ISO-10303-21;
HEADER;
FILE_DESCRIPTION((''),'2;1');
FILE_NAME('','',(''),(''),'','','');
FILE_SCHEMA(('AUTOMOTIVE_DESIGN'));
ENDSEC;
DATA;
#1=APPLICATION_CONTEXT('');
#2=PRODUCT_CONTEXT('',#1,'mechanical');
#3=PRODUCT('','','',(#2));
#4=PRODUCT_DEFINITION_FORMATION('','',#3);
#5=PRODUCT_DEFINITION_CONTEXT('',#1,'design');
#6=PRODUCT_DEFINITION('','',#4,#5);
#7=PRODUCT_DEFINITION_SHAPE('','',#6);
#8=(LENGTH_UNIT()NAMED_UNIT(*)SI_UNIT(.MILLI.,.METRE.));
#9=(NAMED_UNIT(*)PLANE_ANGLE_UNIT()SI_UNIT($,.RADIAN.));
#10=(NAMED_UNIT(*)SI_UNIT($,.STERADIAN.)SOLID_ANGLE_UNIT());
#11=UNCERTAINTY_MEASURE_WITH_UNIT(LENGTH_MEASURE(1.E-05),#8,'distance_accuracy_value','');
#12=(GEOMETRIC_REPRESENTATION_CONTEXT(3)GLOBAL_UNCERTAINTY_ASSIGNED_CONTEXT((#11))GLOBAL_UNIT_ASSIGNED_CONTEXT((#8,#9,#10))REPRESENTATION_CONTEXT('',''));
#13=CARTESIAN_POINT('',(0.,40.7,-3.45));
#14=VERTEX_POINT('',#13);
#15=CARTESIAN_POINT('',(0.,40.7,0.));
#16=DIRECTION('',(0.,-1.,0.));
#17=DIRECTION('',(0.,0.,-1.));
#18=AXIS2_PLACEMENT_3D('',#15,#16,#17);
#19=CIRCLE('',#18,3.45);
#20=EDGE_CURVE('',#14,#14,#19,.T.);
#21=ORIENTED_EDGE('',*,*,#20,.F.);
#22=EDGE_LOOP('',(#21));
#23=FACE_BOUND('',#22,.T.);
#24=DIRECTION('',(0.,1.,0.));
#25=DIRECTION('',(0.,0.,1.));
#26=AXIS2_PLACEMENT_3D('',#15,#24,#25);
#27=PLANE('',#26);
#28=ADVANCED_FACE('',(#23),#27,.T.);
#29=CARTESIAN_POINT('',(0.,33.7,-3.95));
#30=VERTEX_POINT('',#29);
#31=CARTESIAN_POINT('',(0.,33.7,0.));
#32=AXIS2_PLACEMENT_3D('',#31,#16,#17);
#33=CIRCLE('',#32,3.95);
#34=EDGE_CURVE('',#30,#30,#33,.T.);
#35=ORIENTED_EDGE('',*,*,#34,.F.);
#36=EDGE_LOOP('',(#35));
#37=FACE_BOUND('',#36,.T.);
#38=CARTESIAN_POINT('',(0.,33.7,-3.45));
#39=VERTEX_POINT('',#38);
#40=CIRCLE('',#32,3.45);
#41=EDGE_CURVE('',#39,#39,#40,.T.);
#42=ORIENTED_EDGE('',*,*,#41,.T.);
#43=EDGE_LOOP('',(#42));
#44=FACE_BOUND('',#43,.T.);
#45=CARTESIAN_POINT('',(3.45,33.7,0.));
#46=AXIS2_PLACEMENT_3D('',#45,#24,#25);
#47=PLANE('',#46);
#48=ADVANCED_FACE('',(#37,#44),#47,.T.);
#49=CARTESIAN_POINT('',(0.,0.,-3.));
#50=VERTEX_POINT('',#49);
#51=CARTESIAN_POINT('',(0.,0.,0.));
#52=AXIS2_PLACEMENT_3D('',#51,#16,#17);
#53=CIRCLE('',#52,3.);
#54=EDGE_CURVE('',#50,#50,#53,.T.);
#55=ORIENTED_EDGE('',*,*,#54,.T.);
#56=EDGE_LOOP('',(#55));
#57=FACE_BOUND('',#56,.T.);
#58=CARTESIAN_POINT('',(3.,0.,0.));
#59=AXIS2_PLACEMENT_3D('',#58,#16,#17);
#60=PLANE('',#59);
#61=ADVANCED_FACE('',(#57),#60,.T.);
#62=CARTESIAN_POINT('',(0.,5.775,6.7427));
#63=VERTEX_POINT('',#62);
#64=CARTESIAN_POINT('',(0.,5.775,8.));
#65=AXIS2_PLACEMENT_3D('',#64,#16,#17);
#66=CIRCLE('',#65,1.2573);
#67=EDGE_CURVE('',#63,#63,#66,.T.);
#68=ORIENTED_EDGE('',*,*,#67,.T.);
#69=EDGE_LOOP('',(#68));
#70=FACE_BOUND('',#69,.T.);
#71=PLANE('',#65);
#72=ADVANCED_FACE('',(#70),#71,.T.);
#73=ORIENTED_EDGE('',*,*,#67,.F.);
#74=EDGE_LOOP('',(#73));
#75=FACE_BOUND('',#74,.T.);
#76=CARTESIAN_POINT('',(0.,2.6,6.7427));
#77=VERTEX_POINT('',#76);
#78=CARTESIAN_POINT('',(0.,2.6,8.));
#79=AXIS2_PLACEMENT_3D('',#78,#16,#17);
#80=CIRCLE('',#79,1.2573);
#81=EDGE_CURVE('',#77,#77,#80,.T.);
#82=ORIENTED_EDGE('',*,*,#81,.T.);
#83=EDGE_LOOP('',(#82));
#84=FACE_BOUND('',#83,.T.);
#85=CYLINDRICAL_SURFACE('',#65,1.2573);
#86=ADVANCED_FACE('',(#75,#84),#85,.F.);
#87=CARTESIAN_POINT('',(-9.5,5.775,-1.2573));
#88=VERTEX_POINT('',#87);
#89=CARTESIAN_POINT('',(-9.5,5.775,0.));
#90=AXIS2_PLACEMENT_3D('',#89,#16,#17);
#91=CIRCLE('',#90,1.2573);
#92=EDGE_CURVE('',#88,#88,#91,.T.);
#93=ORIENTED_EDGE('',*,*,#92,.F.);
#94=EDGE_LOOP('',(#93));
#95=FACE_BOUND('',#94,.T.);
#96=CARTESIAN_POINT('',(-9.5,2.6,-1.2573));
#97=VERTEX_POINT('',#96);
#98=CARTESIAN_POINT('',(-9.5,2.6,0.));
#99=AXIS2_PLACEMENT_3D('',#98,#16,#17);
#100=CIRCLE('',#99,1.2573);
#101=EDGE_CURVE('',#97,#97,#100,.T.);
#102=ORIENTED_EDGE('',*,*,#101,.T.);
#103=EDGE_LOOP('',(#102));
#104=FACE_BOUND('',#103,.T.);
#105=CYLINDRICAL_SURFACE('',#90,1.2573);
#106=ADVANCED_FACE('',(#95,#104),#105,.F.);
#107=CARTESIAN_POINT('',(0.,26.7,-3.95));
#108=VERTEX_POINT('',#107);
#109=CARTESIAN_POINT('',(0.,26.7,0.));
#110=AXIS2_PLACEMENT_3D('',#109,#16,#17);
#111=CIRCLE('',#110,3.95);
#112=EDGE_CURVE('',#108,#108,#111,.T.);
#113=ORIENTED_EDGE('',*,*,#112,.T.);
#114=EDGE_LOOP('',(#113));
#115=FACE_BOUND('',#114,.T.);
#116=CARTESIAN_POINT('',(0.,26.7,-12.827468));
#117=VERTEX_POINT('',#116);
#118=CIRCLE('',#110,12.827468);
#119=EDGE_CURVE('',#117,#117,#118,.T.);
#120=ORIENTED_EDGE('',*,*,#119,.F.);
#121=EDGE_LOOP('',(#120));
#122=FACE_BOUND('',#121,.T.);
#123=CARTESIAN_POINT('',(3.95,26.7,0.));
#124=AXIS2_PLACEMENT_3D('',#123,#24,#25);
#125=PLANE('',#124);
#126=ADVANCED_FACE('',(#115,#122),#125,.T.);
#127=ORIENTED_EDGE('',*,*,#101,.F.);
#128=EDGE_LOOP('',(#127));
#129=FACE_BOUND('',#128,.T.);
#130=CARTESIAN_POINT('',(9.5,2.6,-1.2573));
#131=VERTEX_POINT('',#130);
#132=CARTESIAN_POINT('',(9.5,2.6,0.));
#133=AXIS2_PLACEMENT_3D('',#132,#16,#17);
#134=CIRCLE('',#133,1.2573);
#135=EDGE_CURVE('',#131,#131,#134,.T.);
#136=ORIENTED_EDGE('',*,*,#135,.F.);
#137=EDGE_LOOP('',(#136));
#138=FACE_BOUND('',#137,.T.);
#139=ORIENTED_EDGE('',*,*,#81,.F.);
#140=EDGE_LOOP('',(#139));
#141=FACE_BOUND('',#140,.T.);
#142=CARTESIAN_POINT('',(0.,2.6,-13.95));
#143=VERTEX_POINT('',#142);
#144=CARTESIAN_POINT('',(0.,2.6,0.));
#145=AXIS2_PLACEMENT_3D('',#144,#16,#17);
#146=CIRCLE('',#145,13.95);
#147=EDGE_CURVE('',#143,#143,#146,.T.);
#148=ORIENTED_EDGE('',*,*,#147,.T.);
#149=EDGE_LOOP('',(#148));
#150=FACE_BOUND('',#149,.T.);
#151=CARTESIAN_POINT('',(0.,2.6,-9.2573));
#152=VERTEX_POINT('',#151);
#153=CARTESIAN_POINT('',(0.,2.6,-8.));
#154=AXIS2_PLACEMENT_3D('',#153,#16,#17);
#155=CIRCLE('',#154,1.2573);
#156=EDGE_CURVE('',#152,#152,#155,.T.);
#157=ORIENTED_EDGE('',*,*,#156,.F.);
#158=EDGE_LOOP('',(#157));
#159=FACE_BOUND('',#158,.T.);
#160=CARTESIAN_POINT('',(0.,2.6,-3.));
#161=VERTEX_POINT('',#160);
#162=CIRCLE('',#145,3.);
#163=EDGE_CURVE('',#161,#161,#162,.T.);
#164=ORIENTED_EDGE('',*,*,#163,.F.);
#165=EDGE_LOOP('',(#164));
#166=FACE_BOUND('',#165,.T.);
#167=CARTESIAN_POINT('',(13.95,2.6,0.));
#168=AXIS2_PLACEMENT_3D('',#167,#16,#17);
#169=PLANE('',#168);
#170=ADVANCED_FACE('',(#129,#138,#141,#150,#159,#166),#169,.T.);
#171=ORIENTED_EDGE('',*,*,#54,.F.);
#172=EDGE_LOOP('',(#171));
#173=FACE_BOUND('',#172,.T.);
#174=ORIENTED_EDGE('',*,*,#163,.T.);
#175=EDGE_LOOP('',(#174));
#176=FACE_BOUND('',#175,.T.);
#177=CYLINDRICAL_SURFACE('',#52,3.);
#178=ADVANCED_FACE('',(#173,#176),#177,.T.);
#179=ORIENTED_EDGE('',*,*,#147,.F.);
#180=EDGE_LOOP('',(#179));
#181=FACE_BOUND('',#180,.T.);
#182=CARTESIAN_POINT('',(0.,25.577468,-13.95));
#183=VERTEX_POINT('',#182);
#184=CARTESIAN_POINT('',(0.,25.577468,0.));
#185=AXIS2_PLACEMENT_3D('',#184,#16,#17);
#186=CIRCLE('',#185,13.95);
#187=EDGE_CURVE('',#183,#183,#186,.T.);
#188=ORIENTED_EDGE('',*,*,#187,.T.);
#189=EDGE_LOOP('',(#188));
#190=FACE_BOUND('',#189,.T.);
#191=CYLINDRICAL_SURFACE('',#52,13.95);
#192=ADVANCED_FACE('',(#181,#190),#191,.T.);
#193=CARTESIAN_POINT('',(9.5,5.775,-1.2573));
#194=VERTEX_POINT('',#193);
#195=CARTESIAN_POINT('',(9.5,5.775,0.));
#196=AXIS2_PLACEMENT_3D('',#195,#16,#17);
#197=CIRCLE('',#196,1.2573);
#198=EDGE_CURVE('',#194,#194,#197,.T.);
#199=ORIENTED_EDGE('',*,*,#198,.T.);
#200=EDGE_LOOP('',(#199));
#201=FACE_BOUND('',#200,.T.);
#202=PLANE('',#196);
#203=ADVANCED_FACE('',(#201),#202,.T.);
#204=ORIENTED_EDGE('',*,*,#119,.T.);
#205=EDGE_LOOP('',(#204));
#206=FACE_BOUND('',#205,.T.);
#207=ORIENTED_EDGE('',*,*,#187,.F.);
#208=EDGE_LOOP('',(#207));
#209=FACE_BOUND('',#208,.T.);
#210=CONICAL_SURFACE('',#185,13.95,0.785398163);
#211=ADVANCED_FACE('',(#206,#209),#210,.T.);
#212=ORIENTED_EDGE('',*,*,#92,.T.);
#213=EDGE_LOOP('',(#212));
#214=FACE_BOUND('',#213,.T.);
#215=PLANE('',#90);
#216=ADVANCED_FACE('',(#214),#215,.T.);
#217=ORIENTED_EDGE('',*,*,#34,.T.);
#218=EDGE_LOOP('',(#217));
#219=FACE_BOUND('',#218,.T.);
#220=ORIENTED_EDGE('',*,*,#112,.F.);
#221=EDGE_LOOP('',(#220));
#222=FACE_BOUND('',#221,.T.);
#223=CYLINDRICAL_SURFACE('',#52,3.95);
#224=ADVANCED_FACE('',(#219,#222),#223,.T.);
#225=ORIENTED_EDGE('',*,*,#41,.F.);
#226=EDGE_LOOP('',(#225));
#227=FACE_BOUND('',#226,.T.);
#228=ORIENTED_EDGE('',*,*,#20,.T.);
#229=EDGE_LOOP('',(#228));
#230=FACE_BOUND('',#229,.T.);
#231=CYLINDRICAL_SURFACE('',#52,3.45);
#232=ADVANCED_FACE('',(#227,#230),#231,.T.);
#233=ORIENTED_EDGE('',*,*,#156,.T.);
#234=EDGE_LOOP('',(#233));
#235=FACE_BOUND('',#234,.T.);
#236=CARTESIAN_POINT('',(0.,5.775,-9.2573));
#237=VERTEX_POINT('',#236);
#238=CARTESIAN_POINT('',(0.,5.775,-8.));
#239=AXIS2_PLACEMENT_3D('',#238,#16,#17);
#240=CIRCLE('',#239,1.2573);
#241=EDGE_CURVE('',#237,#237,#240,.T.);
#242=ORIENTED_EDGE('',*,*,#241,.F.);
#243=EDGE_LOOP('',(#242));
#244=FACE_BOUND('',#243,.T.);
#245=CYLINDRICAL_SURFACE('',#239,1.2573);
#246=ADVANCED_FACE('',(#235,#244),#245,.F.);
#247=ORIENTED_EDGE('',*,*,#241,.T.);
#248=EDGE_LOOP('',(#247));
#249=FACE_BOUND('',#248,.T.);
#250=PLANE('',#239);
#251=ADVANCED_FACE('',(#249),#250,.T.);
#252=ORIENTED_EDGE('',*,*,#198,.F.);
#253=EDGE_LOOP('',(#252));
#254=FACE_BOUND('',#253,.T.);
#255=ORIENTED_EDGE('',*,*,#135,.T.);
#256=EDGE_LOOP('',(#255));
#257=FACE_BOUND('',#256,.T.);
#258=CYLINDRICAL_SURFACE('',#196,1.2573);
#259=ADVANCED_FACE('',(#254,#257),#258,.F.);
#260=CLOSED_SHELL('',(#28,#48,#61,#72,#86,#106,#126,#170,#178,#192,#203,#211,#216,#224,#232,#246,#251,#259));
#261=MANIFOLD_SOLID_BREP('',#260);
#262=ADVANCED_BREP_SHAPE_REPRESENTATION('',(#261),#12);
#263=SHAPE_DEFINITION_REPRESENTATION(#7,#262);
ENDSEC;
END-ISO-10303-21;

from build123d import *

# Parameters (mm, degrees)
SKETCH2_R          = 1.2573
CUT_EXTRUDE1_DEPTH = 3.175


with BuildPart() as part:
    # Sketch1 → Revolve1 (revolve)
    with BuildSketch(Plane.XY, mode=Mode.PRIVATE) as revolve1_sk:
        Polygon((0, 40.7), (3.45, 40.7), (3.45, 33.7), (3.95, 33.7), (3.95, 26.7), (12.827467985, 26.7), (13.95, 25.577467985), (13.95, 2.6), (3, 2.6), (3, 0), (0, 0), align=None)
    revolve(revolve1_sk.sketch.rotate(Axis((0, 0, 0), (0, 1, 0)), 90), axis=Axis((0, 0, 0), (0, 1, 0)))

    # Sketch2 → Cut-Extrude1 (cut)
    with BuildSketch(Plane.XZ.offset(-2.6)):
        with Locations(Location((-9.5, 0, 0), (0, 0, 270))):
            Circle(SKETCH2_R)
        with Locations(Location((0, -8, 0), (0, 0, 270))):
            Circle(SKETCH2_R)
        with Locations(Location((9.5, 0, 0), (0, 0, 270))):
            Circle(SKETCH2_R)
        with Locations(Location((0, 8, 0), (0, 0, 270))):
            Circle(SKETCH2_R)
    extrude(amount=-CUT_EXTRUDE1_DEPTH, mode=Mode.SUBTRACT)


solid = part.part
